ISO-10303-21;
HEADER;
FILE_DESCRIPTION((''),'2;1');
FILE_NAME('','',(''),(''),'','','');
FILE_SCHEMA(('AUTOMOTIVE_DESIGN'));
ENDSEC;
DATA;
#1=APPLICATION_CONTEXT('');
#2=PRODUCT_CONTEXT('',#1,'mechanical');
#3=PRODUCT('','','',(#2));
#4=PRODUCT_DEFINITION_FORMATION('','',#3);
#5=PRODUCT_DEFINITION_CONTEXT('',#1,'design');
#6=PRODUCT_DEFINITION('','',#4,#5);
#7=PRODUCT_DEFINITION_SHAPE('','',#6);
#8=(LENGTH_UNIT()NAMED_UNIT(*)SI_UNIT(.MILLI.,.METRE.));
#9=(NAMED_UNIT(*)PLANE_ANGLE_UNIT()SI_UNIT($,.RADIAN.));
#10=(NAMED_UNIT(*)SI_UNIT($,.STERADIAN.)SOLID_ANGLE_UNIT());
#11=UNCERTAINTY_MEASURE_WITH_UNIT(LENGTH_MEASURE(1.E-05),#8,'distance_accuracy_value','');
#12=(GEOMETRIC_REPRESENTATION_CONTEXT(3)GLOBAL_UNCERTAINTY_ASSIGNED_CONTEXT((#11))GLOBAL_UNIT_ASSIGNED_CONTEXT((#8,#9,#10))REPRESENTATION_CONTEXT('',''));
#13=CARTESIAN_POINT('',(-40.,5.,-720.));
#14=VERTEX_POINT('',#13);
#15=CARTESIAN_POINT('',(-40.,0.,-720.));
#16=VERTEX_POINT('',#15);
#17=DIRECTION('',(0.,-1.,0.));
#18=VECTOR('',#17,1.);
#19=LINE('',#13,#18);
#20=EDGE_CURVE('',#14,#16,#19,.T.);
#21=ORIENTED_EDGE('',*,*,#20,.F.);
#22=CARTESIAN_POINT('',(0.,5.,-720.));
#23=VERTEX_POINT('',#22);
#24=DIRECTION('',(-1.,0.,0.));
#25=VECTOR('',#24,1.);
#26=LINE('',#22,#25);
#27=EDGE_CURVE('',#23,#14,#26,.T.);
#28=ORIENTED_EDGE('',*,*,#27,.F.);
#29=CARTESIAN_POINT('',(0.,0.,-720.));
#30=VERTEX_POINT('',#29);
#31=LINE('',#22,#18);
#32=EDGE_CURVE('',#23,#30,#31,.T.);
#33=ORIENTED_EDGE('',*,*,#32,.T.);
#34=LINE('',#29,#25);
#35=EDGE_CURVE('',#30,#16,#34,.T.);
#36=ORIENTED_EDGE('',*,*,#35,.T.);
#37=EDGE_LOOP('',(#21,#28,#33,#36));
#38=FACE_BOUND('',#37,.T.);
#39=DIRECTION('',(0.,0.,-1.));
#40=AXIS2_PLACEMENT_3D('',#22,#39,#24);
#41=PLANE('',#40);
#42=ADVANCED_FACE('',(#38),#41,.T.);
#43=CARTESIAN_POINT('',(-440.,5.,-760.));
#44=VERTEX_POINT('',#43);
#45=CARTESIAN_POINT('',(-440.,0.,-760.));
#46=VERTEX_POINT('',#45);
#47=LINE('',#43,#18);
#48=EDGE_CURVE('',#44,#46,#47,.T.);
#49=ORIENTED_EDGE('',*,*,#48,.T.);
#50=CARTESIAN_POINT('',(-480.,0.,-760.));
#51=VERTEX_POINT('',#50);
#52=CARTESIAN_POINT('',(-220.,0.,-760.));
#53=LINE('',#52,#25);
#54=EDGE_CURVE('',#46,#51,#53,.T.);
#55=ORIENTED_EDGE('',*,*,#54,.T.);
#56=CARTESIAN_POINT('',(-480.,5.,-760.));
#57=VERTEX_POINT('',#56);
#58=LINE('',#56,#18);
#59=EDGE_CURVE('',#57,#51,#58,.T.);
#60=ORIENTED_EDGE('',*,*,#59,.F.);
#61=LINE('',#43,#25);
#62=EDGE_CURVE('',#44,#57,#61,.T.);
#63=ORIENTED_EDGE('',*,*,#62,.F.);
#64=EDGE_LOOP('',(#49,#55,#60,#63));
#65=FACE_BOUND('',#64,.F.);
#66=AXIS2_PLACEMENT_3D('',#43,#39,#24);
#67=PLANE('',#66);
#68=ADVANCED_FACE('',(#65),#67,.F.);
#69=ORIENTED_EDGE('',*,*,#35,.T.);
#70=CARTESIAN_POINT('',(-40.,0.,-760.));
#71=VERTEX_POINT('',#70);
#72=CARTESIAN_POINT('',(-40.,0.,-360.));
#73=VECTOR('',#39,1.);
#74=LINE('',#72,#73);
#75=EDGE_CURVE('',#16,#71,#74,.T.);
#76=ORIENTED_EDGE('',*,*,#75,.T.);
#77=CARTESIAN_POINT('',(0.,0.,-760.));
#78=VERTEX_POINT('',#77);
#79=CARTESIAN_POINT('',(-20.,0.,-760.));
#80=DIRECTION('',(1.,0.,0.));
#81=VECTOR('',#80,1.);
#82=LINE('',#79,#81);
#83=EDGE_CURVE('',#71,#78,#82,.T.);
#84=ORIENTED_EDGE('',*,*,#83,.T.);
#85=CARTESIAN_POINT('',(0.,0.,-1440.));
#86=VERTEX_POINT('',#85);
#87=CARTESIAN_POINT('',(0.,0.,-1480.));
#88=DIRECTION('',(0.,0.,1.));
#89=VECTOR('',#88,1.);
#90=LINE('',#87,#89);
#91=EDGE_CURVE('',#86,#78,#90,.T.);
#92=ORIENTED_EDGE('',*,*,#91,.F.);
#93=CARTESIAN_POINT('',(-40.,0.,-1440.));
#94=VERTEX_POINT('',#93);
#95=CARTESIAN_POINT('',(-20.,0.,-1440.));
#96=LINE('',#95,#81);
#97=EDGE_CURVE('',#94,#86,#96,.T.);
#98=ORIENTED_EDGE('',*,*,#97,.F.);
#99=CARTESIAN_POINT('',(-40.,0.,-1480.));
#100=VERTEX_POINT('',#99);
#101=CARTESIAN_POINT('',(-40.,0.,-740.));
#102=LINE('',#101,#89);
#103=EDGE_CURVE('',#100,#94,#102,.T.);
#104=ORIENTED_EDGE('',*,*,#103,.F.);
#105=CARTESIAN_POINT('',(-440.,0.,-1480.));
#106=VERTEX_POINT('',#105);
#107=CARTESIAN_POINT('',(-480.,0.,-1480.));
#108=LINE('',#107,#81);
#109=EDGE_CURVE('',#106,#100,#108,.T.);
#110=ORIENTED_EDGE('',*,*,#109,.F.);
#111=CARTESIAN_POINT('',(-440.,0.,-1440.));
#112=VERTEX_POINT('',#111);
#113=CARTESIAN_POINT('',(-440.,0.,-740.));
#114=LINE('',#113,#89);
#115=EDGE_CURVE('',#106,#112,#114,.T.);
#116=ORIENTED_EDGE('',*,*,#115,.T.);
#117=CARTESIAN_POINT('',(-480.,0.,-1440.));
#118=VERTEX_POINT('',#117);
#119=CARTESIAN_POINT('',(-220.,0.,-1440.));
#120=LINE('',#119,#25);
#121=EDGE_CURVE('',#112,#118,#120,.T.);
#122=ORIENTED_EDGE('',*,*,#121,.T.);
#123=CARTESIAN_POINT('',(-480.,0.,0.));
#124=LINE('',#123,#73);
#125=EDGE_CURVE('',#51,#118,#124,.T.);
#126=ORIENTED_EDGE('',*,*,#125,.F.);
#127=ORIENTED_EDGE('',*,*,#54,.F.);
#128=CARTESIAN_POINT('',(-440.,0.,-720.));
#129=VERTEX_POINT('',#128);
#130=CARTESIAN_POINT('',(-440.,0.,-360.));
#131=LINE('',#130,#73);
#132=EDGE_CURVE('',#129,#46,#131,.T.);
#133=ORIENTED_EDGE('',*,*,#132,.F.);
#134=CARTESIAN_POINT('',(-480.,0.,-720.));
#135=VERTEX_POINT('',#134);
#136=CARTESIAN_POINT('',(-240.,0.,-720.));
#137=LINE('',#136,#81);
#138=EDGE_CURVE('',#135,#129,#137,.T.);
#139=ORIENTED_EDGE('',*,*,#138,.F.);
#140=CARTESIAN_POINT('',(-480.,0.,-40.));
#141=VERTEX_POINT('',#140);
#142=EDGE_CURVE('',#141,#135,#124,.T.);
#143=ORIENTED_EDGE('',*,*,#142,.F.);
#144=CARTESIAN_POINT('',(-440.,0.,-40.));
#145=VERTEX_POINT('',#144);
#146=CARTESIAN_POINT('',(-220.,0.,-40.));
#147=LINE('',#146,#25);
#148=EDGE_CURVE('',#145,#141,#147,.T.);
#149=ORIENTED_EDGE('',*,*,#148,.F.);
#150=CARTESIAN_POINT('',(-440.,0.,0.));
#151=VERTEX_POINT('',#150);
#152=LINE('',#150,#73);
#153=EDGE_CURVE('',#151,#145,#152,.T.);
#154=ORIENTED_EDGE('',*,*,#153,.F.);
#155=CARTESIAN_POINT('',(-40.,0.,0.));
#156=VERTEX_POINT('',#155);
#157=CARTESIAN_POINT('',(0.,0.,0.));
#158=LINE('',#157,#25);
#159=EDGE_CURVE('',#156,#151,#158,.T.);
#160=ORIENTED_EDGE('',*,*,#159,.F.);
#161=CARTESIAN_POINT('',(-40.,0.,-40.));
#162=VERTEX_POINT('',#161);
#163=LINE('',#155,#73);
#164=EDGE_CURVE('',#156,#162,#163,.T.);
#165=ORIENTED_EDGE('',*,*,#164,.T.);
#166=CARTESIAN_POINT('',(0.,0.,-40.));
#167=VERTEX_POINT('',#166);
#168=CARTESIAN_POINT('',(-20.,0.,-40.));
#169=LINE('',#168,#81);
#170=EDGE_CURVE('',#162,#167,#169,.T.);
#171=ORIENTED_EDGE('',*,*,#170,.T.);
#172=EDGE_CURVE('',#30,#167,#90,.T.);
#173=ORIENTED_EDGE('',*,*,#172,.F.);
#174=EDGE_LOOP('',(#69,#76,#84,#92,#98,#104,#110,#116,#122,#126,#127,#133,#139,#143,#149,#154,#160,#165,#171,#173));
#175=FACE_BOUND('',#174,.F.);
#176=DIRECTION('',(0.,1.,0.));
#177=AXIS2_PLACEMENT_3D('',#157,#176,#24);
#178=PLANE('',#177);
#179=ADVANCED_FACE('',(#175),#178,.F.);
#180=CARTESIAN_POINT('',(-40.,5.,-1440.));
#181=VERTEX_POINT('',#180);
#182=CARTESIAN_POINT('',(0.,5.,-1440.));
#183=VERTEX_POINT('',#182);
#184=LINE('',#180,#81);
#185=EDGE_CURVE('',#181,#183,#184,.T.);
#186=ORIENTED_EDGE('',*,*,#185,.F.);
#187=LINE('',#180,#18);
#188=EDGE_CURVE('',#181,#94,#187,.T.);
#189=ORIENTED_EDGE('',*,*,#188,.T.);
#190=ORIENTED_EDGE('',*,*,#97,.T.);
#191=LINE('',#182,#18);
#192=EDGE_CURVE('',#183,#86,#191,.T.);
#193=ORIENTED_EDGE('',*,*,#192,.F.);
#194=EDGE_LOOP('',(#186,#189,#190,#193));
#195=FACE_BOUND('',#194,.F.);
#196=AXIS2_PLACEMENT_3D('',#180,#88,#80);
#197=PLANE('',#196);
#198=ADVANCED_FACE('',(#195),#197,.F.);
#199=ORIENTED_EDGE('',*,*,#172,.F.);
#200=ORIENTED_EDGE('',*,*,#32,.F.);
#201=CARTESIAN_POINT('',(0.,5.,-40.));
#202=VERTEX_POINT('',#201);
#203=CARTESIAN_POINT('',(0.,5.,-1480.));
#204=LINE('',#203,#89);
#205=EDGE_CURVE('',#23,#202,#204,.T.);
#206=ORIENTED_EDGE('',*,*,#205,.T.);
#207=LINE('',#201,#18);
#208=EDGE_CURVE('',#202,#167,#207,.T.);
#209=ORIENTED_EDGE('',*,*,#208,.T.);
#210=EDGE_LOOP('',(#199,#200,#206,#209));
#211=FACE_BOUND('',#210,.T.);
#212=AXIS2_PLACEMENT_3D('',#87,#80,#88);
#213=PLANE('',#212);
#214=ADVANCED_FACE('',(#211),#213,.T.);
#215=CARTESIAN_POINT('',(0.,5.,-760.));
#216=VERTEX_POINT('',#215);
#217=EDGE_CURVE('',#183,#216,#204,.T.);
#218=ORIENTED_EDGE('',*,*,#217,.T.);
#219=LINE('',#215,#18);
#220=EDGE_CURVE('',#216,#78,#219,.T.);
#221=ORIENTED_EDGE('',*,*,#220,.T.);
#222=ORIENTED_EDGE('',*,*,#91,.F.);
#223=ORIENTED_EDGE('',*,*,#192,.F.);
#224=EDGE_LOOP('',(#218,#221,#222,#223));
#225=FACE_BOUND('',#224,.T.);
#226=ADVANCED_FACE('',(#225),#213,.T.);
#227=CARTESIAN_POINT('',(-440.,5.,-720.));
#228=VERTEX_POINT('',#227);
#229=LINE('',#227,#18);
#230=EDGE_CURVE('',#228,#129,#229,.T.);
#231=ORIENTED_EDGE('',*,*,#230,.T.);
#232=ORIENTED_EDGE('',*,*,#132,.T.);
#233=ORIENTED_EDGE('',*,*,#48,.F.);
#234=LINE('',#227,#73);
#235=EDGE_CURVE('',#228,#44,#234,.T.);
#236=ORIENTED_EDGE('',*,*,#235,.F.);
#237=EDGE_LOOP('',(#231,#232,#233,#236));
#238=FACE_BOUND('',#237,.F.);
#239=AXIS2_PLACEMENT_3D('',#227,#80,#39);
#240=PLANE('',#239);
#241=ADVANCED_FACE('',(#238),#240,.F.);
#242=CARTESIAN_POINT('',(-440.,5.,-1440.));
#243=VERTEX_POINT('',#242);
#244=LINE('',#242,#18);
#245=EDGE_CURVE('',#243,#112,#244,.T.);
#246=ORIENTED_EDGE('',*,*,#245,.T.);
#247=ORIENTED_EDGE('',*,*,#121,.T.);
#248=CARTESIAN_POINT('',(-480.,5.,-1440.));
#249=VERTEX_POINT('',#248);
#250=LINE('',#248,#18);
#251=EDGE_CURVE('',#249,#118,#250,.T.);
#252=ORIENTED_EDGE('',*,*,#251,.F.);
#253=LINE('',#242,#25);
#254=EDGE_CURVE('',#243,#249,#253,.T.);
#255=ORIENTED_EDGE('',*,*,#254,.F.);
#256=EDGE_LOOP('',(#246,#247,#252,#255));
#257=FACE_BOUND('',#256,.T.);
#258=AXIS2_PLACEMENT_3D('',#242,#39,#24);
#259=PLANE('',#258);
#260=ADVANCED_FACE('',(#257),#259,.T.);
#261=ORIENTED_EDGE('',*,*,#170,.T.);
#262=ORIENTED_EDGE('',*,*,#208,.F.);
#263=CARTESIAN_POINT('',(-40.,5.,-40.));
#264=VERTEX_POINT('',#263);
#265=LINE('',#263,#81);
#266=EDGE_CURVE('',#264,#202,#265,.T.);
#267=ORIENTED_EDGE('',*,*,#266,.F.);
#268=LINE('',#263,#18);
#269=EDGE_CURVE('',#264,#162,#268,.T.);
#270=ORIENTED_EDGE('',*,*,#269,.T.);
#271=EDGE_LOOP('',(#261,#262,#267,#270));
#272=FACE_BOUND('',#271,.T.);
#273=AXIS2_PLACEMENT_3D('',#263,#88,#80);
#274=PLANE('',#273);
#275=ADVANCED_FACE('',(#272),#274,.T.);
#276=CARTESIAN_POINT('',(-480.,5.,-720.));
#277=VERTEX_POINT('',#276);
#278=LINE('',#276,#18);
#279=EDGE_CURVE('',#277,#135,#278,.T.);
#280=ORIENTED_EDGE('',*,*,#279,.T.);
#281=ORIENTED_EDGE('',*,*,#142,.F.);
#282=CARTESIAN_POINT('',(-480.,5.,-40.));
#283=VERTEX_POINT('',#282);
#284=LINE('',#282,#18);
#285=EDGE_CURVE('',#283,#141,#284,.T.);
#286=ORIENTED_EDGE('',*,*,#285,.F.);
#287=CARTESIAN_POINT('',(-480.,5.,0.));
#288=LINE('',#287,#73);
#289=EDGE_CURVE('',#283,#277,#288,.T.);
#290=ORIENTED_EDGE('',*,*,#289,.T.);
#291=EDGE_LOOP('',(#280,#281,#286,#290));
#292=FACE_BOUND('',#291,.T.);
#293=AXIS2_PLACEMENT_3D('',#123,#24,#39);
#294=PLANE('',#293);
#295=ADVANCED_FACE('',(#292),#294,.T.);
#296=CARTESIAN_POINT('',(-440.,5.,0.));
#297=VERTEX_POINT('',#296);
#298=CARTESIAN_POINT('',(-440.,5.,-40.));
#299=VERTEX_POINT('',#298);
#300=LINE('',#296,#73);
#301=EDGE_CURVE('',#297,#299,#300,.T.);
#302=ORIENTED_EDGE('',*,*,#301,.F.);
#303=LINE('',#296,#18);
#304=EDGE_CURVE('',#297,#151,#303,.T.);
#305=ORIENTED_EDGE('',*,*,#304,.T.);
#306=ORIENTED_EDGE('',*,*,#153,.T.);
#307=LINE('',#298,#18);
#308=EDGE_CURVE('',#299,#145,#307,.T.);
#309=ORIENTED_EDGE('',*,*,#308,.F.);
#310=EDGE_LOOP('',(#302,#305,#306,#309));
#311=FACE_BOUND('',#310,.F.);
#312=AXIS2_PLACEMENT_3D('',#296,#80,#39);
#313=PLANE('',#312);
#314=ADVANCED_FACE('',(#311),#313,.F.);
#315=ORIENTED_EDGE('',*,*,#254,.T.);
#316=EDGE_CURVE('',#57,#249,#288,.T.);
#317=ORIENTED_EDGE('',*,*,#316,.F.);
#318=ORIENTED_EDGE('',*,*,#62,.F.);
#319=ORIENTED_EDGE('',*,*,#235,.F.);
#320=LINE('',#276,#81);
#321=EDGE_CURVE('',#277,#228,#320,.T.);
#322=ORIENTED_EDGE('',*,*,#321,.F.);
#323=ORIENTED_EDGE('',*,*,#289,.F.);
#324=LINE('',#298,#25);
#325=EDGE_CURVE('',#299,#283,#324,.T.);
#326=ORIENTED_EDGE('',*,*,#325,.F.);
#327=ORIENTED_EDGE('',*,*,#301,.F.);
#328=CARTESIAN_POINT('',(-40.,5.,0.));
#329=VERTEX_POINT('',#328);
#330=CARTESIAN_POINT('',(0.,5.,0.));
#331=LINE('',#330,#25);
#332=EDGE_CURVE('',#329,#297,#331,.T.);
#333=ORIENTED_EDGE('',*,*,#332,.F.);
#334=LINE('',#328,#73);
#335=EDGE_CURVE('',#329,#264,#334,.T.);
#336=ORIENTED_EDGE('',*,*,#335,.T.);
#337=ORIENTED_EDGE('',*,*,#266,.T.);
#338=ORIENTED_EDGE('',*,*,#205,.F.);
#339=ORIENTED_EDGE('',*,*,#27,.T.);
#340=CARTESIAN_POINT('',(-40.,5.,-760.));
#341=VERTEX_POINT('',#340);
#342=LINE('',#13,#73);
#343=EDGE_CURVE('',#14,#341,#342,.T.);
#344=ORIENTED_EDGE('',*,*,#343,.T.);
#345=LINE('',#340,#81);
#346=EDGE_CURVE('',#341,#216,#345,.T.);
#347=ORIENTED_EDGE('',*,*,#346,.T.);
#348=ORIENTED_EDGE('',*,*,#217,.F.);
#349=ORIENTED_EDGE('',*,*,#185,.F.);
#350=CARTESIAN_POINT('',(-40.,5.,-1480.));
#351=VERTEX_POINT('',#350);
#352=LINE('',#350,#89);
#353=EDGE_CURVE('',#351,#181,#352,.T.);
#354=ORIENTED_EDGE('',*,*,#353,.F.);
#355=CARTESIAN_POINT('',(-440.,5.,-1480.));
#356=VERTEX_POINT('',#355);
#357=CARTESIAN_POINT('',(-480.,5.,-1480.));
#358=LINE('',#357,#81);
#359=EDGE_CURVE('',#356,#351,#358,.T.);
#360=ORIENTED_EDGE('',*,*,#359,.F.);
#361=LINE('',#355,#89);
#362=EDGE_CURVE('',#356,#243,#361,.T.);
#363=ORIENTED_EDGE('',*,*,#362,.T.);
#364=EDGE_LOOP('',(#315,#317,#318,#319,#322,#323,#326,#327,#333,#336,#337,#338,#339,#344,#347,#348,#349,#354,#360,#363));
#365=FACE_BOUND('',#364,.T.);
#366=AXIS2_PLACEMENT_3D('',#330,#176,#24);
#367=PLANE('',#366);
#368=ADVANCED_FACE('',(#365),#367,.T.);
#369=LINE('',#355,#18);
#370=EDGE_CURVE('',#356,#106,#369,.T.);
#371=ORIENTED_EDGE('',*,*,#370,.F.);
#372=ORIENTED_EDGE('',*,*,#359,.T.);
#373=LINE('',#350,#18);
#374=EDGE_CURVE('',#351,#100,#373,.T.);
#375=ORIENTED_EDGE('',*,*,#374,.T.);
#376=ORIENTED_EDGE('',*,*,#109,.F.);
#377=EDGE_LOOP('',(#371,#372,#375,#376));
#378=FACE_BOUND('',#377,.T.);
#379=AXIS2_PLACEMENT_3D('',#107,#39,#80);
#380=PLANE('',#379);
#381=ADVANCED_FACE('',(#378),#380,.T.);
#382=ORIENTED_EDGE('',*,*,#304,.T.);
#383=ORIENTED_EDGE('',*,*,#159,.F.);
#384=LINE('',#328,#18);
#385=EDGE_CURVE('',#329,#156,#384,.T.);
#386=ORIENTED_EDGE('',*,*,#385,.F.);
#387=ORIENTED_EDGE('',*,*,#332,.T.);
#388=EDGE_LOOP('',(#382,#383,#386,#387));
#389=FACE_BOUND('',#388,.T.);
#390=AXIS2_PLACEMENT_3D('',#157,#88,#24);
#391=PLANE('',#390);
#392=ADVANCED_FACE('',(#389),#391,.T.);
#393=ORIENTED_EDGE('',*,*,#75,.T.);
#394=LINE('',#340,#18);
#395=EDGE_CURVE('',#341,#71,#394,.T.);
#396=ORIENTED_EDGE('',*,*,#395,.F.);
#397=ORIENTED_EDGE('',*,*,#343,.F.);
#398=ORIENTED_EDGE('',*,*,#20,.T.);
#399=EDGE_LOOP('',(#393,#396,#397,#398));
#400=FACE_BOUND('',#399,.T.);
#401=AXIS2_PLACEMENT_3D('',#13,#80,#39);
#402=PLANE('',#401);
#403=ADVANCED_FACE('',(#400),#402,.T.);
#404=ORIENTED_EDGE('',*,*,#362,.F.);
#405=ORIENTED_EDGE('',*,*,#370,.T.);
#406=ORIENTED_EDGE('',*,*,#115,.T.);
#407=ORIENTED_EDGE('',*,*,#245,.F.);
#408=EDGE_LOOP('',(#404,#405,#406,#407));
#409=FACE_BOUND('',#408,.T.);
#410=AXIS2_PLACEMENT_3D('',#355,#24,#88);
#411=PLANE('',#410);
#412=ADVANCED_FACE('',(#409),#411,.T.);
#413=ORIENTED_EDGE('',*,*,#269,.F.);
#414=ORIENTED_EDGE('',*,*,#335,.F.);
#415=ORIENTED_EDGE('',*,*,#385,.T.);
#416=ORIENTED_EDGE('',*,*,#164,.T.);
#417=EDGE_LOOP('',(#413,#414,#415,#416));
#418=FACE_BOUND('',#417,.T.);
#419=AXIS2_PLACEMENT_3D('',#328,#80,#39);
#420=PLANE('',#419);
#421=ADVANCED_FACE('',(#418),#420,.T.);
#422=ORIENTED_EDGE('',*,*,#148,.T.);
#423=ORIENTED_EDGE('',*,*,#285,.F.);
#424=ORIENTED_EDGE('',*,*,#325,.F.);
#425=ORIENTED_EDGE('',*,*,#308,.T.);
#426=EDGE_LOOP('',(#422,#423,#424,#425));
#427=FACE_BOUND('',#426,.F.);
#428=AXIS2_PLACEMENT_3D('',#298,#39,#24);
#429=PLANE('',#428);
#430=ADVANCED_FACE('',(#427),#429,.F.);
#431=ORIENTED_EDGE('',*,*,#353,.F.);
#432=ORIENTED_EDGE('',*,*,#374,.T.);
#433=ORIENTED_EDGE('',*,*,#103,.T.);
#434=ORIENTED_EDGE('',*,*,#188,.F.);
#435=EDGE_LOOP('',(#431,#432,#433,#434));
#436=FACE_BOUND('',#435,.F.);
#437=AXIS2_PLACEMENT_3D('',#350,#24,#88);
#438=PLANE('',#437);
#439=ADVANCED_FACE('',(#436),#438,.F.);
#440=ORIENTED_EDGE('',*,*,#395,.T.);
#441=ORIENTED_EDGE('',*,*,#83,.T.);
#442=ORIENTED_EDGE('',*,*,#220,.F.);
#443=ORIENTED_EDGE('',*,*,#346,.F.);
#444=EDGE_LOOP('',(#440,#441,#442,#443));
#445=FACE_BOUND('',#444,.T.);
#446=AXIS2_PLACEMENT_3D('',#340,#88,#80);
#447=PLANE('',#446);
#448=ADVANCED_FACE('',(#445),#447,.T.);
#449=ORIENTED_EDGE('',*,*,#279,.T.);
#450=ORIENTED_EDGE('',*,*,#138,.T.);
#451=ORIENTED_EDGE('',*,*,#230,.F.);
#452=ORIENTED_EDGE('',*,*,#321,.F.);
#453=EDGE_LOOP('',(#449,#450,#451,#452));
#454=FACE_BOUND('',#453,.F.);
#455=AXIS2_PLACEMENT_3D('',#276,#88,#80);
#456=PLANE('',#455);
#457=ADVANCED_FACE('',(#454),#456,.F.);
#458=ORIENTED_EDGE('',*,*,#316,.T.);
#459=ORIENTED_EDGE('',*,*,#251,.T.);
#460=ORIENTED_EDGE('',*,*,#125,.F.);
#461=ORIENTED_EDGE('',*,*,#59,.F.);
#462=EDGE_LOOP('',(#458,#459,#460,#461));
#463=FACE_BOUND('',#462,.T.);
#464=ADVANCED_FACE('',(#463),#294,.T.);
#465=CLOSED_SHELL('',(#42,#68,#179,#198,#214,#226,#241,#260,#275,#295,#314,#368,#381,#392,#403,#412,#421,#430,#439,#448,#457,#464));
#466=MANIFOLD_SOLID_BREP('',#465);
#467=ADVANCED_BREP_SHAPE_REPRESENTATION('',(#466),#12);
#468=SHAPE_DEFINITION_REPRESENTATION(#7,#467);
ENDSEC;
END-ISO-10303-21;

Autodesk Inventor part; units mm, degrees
ref_plane "YZ Plane" through (0, 0, 0) normal (1, 0, 0) x (0, 1, 0)
ref_plane "XZ Plane" through (0, 0, 0) normal (0, 1, 0) x (-1, 0, 0)
ref_plane "XY Plane" through (0, 0, 0) normal (0, 0, 1) x (1, 0, 0)
sketch "Sketch1" plane through (0, 0, 0) normal (0, 1, 0) x (-1, 0, 0)
  line L0 (0, 0) -> (480, 0)
  line L1 (480, 0) -> (480, -1480)
  line L2 (480, -1480) -> (0, -1480)
  line L3 (0, -1480) -> (0, 0)
  dimension "d0" = 480
  dimension "d1" = 1480
extrude "Extrusion1" add sketch "Sketch1" along normal blind 5
sketch "Sketch2" plane through (0, 5, 0) normal (0, 1, 0) x (1, 0, 0)
  line L0 (-480, 1480) -> (-480, 0) projected
  line L1 (-480, 0) -> (-440, 0)
  line L2 (-440, 0) -> (-440, 40)
  line L3 (-440, 40) -> (-480, 40)
  line L4 (-480, 40) -> (-480, 0)
  point P0 (0, 0)
  dimension "d4" = 40
  dimension "d5" = 40
extrude "Extrusion2" cut sketch "Sketch2" against normal blind 10
sketch "Sketch3" plane through (0, 5, 0) normal (0, 1, 0) x (1, 0, 0)
  line L0 (-440, 0) -> (0, 0) projected
  line L1 (0, 0) -> (-40, 0)
  line L2 (-40, 0) -> (-40, 40)
  line L3 (-40, 40) -> (0, 40)
  line L4 (0, 40) -> (0, 0)
  line L5 (0, 1480) -> (-480, 1480) projected
  line L6 (0, 1480) -> (-40, 1480)
  line L7 (-40, 1480) -> (-40, 1440)
  line L8 (-40, 1440) -> (0, 1440)
  line L9 (0, 1440) -> (0, 1480)
  line L10 (-480, 1480) -> (-440, 1480)
  line L11 (-440, 1480) -> (-440, 1440)
  line L12 (-440, 1440) -> (-480, 1440)
  line L13 (-480, 1440) -> (-480, 1480)
  dimension "d8" = 40
  dimension "d9" = 40
  dimension "d10" = 40
  dimension "d11" = 40
  dimension "d12" = 40
  dimension "d13" = 40
extrude "Extrusion3" cut sketch "Sketch3" against normal blind 10
sketch "Sketch7" plane through (0, 5, 0) normal (0, 1, 0) x (1, 0, 0)
  line L0 (0, 40) -> (0, 1440) projected
  line L1 (0, 720) -> (-40, 720)
  line L2 (-40, 720) -> (-40, 760)
  line L3 (-40, 760) -> (0, 760)
  line L4 (0, 760) -> (0, 720)
  line L5 (-480, 1440) -> (-480, 40) projected
  line L6 (-480, 720) -> (-440, 720)
  line L7 (-440, 720) -> (-440, 760)
  line L8 (-440, 760) -> (-480, 760)
  line L9 (-480, 760) -> (-480, 720)
  point P0 (0, 0)
  point P1 (0, 760)
  dimension "d29" = 40
  dimension "d30" = 40
  dimension "d31" = 40
  dimension "d32" = 40
extrude "Extrusion7" cut sketch "Sketch7" against normal blind 10
properties part number "cupboard floor" material "Aluminum 6061"
